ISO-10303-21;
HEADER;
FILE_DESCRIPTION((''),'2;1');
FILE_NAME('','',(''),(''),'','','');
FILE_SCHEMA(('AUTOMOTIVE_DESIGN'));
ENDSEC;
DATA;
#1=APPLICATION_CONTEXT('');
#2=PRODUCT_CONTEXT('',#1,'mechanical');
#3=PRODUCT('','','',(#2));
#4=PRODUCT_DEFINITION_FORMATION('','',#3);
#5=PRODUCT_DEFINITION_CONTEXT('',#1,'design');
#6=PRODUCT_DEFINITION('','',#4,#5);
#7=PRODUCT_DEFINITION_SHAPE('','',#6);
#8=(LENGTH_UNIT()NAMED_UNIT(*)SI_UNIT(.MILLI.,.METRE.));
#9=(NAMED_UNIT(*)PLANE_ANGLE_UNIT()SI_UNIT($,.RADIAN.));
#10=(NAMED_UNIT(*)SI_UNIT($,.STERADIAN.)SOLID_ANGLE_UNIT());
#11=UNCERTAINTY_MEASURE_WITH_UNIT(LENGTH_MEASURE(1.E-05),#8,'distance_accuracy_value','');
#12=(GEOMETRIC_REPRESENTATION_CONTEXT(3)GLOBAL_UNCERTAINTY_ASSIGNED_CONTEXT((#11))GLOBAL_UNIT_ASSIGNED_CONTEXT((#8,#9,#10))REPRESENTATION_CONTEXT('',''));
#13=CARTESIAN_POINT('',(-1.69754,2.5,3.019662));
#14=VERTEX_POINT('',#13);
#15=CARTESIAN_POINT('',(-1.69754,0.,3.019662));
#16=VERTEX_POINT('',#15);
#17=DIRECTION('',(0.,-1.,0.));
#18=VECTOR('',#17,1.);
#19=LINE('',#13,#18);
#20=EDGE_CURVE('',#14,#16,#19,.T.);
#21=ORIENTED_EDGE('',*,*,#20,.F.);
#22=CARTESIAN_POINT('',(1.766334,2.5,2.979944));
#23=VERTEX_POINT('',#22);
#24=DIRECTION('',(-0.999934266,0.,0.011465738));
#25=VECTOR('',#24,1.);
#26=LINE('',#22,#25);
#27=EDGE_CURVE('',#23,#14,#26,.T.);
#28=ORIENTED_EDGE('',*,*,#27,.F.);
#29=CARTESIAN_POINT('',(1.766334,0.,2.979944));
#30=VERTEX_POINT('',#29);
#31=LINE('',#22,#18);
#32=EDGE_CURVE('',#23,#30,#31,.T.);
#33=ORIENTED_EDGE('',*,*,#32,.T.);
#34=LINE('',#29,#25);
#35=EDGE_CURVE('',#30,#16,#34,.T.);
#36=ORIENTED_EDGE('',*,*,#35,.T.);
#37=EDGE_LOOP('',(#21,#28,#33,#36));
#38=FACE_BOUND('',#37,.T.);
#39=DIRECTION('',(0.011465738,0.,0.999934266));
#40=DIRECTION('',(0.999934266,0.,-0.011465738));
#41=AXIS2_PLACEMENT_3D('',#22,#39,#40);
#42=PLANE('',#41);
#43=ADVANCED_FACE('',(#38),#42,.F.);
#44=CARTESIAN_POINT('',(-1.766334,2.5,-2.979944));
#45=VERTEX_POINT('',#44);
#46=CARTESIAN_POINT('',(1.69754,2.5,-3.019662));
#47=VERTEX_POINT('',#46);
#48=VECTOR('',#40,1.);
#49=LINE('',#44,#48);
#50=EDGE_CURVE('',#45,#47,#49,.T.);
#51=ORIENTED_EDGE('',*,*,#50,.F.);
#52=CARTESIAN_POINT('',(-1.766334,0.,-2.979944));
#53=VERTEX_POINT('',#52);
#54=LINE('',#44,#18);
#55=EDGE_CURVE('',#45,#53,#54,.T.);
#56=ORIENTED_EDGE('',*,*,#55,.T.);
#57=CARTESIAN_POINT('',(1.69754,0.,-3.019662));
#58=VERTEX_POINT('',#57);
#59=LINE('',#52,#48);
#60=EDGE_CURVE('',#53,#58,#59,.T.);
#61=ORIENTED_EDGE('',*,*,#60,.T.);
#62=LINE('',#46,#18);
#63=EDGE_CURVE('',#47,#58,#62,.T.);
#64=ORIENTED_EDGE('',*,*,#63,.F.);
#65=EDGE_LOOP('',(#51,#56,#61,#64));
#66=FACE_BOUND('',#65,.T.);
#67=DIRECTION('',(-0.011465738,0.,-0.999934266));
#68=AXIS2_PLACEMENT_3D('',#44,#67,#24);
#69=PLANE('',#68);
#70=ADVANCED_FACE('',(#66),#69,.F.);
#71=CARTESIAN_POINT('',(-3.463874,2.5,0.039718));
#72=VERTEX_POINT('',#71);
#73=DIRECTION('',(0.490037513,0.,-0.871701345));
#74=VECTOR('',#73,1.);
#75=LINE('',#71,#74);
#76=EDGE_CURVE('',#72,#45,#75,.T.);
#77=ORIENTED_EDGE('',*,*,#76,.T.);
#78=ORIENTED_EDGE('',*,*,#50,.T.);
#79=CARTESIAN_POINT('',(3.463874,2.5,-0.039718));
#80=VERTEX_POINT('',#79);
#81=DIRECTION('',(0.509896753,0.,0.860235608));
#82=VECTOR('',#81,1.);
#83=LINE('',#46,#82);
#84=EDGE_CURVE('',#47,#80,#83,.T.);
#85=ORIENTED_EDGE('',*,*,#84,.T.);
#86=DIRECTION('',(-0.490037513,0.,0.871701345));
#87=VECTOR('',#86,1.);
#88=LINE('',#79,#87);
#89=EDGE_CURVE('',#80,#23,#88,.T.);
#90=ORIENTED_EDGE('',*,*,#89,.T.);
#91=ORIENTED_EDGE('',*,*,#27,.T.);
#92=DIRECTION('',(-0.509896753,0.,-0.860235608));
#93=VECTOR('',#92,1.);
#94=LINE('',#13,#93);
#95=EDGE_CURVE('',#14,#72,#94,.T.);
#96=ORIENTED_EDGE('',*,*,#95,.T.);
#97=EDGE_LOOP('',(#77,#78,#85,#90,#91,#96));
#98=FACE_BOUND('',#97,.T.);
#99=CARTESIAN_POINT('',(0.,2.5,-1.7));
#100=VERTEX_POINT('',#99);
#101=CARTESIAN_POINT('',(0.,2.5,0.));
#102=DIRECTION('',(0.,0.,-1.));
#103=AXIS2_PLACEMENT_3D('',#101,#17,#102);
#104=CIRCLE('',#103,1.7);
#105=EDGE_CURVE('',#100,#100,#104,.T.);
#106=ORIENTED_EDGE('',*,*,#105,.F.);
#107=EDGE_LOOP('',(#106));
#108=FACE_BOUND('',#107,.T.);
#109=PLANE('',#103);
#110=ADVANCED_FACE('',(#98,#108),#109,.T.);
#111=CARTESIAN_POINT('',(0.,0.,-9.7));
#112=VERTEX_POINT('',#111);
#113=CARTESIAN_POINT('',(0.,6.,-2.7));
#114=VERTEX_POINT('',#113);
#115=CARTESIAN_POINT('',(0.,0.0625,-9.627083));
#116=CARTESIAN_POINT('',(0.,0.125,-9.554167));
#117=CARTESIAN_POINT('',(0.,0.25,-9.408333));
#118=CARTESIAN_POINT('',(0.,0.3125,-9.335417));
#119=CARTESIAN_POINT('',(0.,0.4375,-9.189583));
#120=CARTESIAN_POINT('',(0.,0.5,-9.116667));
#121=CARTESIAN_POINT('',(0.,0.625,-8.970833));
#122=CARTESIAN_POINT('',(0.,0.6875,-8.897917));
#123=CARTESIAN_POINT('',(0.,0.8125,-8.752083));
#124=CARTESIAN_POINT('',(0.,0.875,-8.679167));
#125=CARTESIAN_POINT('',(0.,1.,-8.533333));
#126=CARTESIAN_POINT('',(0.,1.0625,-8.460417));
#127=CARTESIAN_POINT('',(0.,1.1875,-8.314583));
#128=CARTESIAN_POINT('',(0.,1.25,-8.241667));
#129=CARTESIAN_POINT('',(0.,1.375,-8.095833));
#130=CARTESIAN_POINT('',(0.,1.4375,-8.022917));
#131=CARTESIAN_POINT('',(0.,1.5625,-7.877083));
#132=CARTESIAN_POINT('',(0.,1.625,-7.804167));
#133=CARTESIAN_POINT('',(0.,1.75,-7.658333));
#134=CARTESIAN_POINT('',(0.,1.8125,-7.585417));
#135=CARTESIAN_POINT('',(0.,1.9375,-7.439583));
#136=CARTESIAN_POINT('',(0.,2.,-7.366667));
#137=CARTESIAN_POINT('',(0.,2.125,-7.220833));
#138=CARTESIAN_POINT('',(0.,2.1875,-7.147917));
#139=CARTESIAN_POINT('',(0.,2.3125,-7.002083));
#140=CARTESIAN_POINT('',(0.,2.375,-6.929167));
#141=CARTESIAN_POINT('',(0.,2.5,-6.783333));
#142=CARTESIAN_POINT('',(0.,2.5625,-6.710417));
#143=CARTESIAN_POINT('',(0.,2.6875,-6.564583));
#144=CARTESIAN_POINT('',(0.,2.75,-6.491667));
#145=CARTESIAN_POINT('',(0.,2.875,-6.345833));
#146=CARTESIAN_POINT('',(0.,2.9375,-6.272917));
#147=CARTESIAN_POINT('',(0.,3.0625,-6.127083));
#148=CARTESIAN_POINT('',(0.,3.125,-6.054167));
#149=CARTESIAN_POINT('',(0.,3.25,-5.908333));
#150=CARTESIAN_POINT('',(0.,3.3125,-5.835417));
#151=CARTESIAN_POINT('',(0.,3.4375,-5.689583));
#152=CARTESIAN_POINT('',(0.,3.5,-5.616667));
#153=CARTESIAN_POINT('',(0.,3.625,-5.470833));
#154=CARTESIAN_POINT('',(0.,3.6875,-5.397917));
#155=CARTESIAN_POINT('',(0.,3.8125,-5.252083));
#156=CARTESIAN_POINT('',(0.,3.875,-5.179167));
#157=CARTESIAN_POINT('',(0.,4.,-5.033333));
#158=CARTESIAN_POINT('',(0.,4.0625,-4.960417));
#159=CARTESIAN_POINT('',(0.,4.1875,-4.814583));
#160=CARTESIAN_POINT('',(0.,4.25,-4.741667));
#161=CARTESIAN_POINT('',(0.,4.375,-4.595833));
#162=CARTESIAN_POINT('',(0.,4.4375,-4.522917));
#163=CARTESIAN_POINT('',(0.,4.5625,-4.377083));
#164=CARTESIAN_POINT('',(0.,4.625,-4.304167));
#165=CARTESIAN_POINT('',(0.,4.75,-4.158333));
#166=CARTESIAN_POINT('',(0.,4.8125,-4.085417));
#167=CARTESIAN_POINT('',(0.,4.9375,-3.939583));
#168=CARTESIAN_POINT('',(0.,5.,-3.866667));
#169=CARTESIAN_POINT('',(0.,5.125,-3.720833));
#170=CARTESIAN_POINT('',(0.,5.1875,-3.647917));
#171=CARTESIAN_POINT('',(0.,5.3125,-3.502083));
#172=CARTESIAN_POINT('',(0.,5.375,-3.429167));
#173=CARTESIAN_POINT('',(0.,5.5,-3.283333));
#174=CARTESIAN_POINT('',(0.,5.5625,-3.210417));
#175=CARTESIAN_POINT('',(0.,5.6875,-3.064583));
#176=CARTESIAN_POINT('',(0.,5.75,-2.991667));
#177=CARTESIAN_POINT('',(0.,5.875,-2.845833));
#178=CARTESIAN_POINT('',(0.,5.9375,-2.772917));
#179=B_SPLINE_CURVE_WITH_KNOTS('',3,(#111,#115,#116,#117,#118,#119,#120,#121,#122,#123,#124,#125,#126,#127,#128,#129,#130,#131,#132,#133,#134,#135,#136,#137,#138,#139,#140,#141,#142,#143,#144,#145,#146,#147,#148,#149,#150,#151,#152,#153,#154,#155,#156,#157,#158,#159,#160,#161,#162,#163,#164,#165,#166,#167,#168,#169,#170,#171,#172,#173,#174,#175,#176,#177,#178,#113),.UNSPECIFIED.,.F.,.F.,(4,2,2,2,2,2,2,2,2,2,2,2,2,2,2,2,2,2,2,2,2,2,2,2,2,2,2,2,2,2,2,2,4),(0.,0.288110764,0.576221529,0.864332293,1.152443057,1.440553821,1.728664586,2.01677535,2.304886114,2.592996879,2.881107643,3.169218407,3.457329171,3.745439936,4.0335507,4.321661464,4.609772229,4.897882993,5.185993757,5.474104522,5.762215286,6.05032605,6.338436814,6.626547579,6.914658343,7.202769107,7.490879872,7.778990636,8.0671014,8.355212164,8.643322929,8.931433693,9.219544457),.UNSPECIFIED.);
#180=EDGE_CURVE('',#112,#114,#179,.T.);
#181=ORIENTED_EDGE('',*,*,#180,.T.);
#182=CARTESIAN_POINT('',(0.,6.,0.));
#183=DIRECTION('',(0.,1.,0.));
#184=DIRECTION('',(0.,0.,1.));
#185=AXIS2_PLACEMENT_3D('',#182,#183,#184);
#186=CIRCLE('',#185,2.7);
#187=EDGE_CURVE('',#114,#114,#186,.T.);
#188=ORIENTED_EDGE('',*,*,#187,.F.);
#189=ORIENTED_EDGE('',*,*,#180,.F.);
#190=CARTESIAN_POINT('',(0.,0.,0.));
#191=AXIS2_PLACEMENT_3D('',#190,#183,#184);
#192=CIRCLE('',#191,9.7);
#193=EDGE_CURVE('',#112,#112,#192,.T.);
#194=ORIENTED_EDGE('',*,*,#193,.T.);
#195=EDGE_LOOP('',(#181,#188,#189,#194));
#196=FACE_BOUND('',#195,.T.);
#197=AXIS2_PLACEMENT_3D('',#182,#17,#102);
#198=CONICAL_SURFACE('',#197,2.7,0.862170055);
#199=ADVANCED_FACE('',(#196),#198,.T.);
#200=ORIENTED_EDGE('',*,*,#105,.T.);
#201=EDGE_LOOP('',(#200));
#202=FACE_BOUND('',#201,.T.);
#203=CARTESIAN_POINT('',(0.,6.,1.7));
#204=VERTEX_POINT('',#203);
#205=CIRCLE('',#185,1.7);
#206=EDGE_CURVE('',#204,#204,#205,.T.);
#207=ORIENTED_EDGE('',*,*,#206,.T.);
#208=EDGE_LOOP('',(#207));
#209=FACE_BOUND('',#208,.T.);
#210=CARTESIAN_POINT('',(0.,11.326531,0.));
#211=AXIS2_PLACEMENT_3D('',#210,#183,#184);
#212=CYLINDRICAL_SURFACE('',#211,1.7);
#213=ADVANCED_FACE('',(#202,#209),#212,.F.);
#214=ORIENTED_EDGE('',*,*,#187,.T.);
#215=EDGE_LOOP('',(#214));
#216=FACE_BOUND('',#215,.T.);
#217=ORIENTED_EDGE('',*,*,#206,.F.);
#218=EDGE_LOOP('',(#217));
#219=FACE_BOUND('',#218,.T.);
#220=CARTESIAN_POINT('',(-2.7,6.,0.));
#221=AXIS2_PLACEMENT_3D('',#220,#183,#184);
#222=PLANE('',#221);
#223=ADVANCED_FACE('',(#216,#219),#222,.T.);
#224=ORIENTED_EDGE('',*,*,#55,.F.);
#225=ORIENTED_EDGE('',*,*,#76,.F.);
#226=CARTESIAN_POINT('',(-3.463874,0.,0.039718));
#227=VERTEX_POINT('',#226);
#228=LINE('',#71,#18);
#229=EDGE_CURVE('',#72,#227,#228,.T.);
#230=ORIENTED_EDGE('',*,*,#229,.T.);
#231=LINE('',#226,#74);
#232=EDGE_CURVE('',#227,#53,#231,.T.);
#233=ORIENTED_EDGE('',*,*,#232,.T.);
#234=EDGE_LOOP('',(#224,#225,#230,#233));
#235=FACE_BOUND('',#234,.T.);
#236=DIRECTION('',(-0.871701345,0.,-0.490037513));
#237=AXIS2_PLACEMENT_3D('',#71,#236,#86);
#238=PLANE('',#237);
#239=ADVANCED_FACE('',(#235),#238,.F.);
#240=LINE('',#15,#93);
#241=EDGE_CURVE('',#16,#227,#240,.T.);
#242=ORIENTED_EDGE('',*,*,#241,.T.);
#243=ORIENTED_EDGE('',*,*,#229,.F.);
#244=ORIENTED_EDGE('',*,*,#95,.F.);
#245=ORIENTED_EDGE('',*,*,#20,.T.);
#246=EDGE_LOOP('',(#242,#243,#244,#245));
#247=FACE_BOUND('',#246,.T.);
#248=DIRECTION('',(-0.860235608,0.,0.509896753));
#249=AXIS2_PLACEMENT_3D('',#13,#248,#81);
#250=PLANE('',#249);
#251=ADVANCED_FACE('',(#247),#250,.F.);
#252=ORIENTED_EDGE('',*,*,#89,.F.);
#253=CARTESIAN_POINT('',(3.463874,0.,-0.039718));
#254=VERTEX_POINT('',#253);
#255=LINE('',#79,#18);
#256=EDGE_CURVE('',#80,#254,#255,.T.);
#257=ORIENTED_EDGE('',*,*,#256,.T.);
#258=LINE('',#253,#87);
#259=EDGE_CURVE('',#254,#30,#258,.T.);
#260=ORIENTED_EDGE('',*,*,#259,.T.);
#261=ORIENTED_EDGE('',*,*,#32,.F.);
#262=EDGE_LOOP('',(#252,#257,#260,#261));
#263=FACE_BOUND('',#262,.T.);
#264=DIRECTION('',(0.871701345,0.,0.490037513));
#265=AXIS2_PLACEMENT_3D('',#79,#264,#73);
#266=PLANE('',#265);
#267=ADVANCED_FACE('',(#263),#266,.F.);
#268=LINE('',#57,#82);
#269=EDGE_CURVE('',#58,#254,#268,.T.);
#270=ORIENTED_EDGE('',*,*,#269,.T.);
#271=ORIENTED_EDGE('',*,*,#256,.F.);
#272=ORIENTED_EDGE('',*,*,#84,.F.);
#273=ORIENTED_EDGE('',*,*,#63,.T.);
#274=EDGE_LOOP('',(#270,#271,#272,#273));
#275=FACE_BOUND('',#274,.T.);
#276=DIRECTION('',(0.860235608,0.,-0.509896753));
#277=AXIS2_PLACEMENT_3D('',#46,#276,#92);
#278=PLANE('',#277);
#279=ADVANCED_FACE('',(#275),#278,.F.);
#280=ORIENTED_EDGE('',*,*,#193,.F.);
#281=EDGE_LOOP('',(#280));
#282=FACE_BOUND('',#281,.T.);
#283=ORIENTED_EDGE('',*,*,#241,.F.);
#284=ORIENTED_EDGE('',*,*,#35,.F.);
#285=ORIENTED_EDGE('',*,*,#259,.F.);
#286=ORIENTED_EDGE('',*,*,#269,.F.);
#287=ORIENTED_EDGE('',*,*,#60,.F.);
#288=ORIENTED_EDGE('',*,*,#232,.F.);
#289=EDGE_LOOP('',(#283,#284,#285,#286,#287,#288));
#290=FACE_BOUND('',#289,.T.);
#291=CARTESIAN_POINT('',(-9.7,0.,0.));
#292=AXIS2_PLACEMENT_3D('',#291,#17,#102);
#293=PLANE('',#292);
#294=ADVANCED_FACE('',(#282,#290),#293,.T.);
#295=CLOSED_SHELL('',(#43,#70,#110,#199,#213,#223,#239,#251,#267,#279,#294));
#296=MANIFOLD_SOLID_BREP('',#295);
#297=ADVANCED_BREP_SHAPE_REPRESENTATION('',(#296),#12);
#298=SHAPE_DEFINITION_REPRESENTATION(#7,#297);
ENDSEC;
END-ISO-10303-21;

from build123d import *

# Parameters (mm, degrees)
CUT_EXTRUDE1_DEPTH = 2.5


with BuildPart() as part:
    # Sketch1 → Revolve1 (revolve)
    with BuildSketch(Plane.XY, mode=Mode.PRIVATE) as revolve1_sk:
        Polygon((-2.7, 6), (-9.7, 0), (-1.7, 0), (-1.7, 6), align=None)
    revolve(revolve1_sk.sketch.rotate(Axis((0, 11.326530612, 0), (0, -1, 0)), 270), axis=Axis((0, 11.326530612, 0), (0, -1, 0)))

    # Sketch2 → Cut-Extrude1 (cut)
    with BuildSketch(Plane.XZ):
        Polygon((1.697539741, -3.019662039), (3.463873907, -0.03971848), (1.766334166, 2.979943559), (-1.697539741, 3.019662039), (-3.463873907, 0.03971848), (-1.766334166, -2.979943559), align=None)
    extrude(amount=-CUT_EXTRUDE1_DEPTH, mode=Mode.SUBTRACT)


solid = part.part
